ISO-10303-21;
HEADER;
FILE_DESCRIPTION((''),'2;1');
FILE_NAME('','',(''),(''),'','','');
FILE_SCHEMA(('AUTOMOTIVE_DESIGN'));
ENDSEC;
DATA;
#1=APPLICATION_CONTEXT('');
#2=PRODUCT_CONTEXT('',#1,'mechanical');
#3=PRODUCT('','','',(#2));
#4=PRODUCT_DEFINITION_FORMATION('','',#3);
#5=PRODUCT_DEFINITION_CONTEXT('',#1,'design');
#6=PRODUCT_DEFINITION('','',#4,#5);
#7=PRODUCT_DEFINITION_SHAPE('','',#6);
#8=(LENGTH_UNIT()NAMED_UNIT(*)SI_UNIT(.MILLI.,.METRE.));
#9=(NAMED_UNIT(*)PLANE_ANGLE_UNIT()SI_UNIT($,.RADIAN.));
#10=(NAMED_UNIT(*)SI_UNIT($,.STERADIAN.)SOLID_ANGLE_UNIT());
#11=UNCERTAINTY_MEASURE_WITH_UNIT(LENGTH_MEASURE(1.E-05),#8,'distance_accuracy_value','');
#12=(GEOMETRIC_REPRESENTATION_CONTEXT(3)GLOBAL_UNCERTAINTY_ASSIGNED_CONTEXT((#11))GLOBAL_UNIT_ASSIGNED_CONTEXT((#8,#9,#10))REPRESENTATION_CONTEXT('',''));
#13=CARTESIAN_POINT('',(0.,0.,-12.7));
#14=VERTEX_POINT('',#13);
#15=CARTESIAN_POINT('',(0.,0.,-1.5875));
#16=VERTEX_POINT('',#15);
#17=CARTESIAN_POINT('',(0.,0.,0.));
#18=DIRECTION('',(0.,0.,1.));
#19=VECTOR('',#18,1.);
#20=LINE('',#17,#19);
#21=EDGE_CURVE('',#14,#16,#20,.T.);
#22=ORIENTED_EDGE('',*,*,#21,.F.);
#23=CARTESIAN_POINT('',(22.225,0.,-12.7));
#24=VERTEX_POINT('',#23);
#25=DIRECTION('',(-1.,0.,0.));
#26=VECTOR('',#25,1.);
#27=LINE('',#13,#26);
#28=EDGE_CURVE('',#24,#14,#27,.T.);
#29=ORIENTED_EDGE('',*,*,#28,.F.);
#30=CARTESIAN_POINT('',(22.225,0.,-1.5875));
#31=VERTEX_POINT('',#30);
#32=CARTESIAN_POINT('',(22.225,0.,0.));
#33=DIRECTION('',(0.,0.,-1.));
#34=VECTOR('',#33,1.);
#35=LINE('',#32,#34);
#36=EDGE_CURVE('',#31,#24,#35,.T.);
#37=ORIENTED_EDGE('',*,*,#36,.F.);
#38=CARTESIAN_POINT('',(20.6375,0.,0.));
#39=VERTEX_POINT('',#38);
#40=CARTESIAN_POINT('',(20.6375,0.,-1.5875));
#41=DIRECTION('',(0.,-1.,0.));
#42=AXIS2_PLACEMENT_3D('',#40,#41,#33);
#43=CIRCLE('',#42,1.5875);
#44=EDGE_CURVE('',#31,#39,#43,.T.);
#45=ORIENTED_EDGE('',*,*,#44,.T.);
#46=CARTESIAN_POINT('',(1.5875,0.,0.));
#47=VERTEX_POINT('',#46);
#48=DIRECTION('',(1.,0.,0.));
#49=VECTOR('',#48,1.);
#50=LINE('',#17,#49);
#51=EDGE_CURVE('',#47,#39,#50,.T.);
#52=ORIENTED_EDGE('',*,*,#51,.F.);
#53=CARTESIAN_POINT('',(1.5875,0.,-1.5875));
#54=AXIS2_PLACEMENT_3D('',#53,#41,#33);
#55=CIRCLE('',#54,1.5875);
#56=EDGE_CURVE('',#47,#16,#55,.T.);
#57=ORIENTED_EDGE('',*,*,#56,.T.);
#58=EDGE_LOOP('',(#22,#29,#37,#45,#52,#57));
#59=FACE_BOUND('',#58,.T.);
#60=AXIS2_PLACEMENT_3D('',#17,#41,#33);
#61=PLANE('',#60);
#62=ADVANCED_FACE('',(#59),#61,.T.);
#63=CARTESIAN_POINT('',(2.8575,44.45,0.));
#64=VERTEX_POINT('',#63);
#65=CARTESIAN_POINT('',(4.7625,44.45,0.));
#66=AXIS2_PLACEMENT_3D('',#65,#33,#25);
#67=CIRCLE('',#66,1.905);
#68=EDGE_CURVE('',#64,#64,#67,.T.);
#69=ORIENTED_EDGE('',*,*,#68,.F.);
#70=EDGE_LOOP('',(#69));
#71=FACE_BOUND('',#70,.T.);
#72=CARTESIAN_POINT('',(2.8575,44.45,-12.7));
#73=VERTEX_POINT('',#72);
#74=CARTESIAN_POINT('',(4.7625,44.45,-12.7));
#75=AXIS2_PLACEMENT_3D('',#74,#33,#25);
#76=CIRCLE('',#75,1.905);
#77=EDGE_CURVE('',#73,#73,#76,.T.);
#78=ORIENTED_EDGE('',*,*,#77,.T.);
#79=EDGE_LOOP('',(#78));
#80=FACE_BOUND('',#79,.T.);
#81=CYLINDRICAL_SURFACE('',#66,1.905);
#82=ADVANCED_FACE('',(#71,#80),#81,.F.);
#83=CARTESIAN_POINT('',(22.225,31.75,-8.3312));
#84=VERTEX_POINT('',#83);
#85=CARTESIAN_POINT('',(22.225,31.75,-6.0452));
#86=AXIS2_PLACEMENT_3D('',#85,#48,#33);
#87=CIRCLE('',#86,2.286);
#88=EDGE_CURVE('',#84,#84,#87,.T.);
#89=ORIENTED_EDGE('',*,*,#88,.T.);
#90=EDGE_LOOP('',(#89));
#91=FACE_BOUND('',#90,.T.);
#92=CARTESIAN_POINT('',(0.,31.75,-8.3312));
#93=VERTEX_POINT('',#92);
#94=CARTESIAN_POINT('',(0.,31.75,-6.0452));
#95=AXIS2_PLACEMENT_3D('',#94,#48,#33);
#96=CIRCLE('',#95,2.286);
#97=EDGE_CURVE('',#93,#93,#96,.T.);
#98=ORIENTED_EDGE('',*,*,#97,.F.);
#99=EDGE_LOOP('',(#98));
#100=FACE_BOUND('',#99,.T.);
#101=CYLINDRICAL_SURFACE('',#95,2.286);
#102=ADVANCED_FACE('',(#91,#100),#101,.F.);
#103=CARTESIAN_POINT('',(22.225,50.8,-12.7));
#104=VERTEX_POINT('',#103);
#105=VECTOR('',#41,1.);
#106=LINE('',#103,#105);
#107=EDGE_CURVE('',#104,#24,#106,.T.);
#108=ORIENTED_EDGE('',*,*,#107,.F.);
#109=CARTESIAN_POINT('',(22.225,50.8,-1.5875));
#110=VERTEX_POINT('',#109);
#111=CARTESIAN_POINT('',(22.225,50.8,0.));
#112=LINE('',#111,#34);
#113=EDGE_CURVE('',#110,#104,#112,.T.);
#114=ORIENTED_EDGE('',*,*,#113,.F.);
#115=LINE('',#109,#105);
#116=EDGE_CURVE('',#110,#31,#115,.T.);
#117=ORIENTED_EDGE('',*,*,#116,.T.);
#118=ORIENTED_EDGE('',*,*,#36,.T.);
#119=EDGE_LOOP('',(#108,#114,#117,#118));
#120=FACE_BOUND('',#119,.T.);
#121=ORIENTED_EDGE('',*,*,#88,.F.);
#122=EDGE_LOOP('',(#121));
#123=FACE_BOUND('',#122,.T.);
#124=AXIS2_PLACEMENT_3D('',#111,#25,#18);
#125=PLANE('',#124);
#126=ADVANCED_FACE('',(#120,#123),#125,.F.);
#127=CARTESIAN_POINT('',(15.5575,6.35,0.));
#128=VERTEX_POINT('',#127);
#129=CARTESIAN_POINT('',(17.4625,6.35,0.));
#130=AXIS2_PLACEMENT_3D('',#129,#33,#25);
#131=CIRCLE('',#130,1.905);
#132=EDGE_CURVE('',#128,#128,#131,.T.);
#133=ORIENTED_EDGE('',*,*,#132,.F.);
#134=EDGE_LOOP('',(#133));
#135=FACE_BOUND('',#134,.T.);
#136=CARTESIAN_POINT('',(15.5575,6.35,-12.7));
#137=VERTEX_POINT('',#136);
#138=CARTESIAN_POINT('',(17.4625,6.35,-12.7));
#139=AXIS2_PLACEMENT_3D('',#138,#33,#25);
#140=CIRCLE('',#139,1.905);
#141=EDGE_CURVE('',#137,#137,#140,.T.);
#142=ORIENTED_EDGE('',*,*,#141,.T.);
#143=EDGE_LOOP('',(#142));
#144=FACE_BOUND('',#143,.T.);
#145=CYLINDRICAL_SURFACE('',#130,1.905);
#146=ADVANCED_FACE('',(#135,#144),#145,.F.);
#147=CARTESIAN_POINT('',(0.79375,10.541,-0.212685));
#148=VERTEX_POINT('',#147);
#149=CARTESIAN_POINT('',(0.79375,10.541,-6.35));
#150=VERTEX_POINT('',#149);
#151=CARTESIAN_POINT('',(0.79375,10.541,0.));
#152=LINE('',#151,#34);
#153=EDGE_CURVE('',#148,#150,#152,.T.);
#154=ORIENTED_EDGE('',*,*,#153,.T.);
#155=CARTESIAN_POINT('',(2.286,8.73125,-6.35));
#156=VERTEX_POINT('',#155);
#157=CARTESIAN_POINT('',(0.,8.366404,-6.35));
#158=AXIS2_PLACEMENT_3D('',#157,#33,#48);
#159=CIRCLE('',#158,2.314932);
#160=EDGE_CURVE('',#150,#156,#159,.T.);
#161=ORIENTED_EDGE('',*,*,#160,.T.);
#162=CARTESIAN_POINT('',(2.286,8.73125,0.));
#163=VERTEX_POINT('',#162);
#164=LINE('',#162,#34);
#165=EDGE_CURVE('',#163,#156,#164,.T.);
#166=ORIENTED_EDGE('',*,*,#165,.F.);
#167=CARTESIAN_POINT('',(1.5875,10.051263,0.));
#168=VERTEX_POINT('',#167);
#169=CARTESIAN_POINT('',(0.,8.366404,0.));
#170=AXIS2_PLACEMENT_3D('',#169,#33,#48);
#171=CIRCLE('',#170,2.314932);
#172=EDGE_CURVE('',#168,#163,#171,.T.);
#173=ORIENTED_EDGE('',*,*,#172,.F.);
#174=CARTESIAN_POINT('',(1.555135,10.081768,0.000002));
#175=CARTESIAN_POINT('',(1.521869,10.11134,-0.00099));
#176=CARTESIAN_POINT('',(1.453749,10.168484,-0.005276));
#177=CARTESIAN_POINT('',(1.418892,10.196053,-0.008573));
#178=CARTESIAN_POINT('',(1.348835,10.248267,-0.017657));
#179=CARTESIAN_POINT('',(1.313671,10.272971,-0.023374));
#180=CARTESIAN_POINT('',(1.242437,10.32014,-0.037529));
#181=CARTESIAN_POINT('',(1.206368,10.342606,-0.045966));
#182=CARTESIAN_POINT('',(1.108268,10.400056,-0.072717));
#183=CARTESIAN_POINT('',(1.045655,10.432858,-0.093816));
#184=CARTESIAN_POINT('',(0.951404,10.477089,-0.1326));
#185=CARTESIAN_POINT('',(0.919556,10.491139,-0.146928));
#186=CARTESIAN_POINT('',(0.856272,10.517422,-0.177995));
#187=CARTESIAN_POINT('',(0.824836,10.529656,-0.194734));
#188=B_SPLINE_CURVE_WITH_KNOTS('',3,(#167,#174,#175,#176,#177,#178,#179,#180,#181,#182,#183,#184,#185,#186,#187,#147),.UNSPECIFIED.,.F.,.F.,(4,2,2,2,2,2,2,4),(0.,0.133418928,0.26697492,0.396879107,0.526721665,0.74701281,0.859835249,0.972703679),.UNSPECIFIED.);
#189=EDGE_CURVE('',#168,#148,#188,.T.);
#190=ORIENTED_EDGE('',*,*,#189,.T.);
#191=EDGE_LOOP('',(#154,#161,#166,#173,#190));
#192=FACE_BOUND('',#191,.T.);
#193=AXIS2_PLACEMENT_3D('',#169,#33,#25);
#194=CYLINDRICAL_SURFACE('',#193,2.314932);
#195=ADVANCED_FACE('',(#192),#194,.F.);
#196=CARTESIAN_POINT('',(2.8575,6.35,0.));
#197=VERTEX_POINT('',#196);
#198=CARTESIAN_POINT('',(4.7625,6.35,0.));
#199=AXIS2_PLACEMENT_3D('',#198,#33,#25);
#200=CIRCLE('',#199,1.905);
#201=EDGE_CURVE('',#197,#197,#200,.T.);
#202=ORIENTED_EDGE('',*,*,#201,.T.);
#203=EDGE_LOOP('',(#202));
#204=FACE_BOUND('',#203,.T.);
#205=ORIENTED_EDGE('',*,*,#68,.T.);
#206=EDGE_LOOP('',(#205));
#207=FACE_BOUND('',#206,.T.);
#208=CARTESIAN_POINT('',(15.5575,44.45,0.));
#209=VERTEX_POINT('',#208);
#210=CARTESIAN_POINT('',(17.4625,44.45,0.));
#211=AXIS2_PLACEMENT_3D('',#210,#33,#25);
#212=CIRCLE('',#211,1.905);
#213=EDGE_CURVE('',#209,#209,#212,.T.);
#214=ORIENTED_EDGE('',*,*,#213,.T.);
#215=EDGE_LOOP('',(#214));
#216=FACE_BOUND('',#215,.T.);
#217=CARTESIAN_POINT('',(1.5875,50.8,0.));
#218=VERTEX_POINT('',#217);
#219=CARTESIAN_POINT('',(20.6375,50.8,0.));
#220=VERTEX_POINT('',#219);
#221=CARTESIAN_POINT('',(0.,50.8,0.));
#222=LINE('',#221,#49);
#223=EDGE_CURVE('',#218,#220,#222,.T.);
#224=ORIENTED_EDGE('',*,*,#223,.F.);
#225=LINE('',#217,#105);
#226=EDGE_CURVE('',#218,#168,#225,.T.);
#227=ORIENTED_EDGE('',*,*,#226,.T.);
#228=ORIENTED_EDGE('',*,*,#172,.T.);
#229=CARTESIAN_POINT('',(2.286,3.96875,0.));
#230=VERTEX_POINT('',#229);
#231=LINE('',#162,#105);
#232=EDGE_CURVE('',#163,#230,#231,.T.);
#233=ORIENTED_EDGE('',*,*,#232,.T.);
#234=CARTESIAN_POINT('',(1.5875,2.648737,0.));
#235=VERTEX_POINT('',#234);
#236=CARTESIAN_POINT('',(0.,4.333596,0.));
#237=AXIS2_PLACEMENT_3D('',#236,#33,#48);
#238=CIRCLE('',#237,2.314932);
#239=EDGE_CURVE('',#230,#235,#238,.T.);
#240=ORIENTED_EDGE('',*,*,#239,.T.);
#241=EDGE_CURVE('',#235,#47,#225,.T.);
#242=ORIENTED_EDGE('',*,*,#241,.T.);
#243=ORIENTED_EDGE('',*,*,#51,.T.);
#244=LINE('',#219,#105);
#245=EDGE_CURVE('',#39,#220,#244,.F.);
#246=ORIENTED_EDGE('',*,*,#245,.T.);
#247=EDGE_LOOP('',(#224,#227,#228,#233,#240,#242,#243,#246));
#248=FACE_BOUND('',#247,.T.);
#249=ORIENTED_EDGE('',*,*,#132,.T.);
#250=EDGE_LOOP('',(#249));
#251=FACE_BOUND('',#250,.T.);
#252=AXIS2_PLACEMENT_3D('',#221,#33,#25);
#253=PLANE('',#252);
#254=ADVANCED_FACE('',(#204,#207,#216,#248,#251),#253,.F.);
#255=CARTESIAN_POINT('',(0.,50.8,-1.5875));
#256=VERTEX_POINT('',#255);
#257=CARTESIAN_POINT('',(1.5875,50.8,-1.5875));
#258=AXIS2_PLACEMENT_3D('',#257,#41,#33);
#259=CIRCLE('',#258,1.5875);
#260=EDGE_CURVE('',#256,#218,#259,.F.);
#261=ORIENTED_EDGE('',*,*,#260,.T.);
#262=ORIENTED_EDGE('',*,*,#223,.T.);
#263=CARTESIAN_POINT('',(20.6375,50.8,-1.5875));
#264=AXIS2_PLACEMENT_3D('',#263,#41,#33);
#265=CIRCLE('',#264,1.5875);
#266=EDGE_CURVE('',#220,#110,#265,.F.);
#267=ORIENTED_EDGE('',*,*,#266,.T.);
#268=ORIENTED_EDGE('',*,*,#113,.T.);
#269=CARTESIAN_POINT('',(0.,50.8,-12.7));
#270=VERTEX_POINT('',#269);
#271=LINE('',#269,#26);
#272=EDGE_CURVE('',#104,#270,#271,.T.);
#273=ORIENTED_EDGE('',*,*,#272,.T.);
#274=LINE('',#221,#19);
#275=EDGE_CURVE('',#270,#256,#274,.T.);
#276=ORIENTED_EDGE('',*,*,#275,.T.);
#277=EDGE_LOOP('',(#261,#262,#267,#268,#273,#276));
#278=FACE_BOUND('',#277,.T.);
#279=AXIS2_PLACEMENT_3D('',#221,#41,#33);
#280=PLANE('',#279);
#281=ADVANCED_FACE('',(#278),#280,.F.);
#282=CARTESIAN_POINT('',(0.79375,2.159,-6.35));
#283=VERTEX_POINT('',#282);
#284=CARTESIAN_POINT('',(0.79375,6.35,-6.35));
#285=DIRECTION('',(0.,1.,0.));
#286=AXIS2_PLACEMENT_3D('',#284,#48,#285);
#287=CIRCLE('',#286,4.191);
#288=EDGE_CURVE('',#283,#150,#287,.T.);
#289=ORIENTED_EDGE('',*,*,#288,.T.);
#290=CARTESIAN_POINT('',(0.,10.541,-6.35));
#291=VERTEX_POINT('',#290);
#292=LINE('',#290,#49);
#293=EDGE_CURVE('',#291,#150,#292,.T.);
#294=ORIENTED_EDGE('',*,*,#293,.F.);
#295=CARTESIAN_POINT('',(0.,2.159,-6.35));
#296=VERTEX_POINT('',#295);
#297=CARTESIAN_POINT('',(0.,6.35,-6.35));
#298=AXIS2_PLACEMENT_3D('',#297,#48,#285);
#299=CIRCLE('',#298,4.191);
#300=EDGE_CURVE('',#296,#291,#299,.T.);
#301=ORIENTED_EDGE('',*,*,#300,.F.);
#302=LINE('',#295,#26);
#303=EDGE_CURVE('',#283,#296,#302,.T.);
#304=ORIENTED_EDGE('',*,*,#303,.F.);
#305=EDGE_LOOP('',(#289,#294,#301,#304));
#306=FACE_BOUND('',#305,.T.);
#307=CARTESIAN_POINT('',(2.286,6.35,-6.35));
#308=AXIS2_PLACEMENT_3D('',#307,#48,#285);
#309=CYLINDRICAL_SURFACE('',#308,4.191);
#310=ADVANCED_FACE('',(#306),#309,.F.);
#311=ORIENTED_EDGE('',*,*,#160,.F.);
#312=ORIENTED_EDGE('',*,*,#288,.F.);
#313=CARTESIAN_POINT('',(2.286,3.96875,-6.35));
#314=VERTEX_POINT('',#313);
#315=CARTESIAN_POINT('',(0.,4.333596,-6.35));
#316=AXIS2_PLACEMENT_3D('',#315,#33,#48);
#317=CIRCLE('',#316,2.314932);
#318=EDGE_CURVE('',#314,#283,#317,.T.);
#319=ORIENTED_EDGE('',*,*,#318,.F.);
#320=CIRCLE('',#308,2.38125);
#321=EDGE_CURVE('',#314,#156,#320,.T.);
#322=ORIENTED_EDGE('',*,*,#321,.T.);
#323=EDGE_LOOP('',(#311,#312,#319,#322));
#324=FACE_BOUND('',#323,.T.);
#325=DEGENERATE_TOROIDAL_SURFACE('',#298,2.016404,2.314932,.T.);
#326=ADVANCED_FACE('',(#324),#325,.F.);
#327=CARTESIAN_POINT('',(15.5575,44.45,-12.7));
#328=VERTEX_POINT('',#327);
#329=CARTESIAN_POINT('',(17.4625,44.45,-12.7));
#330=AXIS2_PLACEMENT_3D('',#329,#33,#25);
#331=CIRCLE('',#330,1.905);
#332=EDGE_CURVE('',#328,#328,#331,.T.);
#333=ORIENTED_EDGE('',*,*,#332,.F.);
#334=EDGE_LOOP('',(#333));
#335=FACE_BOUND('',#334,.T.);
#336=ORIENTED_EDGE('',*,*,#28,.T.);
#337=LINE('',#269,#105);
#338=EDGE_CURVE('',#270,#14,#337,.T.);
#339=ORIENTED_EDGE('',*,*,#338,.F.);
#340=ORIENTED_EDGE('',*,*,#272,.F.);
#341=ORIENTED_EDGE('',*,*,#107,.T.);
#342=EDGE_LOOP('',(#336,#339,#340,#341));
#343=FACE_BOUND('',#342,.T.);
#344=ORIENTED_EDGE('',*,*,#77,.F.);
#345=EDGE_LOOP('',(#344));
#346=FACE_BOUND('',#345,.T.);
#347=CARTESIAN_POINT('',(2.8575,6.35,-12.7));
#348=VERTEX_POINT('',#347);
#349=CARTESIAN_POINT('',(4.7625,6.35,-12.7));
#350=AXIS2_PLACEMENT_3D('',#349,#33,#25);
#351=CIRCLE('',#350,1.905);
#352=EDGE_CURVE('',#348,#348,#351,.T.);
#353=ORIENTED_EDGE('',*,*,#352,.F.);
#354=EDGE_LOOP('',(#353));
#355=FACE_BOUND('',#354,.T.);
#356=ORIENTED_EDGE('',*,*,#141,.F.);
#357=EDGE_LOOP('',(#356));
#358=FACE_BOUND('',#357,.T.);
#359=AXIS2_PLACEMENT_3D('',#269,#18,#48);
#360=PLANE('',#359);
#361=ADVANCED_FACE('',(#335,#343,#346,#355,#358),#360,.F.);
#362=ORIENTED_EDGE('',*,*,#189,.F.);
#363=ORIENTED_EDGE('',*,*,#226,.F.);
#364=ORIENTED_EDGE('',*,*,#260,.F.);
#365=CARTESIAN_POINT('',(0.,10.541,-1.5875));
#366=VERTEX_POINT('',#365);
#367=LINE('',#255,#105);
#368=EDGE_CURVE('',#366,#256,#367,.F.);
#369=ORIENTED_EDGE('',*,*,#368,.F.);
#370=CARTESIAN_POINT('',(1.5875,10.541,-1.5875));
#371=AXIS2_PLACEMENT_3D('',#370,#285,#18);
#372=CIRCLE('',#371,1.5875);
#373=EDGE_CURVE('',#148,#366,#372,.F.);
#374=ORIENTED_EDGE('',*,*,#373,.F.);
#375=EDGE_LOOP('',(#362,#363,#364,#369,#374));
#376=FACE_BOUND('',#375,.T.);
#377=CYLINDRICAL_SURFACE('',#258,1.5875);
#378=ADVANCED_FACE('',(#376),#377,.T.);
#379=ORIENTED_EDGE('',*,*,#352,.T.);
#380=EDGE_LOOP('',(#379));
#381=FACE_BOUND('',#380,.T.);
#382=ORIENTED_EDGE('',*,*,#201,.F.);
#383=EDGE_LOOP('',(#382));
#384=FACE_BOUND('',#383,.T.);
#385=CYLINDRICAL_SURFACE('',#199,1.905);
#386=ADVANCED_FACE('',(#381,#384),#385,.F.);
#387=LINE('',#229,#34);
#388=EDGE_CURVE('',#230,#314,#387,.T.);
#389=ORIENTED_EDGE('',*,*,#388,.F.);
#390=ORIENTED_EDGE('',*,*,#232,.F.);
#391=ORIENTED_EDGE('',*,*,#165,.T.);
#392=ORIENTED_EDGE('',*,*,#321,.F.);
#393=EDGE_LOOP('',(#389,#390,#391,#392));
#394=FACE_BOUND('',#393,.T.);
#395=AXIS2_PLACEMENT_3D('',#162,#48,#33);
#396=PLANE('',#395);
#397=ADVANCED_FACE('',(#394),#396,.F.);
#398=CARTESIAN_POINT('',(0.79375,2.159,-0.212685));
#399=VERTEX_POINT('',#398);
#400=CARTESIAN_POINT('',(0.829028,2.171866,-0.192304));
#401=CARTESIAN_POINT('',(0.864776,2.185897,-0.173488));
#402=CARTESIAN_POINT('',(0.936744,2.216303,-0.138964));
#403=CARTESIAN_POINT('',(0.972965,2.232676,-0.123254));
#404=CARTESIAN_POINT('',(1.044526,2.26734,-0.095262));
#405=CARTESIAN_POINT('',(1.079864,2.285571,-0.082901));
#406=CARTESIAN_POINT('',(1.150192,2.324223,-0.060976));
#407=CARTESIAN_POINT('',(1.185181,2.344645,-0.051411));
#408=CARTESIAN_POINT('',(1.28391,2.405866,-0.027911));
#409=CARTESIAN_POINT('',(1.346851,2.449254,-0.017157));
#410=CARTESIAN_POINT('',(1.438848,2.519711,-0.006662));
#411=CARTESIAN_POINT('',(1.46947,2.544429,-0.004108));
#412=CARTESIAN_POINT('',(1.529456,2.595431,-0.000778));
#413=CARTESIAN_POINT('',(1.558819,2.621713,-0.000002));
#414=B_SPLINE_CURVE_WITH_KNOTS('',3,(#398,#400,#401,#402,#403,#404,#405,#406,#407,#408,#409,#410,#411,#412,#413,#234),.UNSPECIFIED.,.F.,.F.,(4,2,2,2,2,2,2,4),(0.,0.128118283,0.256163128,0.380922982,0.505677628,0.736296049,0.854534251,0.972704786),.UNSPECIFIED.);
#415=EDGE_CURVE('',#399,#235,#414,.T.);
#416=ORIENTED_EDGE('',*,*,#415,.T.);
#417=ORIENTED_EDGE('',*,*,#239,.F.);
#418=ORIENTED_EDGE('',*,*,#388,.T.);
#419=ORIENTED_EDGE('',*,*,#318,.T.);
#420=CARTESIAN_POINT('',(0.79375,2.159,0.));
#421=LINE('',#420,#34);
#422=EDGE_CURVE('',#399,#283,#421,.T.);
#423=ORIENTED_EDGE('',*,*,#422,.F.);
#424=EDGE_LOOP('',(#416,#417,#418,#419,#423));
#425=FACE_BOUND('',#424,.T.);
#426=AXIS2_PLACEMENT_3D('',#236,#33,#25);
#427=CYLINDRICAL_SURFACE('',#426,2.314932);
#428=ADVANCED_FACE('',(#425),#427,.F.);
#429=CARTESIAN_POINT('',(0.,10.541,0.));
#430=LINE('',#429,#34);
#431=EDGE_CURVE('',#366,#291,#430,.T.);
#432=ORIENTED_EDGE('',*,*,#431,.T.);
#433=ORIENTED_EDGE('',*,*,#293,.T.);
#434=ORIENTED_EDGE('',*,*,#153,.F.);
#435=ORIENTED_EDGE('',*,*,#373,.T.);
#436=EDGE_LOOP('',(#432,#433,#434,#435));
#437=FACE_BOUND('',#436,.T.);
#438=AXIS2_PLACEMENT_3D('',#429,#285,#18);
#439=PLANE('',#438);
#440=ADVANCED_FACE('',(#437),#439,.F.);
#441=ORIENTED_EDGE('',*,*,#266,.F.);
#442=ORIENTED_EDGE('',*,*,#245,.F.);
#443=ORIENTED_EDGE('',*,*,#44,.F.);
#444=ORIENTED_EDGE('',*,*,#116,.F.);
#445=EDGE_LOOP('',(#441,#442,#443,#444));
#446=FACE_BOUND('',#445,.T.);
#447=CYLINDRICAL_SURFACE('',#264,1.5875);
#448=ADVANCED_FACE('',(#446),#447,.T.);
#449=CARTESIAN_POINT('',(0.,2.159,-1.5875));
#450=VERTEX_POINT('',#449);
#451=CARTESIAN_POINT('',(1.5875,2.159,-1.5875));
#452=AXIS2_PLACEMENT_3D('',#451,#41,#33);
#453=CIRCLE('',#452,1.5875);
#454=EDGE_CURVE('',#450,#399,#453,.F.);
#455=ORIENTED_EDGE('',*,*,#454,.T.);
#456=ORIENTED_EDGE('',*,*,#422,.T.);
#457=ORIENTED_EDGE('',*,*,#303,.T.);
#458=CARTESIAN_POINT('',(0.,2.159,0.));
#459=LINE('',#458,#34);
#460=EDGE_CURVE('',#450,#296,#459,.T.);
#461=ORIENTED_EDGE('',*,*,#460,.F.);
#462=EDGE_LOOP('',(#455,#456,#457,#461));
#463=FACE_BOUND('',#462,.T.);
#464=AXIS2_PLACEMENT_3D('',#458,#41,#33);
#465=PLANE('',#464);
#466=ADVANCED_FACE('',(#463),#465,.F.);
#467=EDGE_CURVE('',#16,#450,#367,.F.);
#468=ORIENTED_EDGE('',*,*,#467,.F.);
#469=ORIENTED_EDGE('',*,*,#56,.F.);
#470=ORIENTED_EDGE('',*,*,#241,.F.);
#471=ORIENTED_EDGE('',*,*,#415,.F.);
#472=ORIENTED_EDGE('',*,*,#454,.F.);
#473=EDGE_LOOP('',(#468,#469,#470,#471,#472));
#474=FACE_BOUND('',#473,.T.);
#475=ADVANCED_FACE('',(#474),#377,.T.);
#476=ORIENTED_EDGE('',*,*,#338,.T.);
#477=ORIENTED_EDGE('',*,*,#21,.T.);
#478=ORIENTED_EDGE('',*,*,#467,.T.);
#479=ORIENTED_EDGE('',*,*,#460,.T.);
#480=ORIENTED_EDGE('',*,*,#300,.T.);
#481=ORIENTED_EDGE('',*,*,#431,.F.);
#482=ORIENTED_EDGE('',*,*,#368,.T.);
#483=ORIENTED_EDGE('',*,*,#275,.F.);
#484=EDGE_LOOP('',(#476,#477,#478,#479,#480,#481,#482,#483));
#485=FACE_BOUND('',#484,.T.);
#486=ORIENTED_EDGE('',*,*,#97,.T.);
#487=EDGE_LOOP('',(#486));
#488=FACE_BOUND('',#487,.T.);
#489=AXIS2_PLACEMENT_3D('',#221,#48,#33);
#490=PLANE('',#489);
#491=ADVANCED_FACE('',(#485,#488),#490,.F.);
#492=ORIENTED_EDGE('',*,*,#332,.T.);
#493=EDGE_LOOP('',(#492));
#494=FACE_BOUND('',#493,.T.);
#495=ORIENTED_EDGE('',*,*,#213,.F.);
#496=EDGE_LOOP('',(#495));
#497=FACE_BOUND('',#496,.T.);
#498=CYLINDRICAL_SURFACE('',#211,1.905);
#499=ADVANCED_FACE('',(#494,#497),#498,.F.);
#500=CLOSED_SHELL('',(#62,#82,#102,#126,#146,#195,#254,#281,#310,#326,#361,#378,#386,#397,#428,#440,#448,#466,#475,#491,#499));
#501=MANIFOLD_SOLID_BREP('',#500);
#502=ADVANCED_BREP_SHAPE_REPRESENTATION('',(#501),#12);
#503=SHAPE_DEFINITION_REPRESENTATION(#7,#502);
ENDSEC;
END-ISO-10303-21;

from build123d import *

# Parameters (mm, degrees)
SKETCH1_W           = 22.225
SKETCH1_H           = 12.7
BOSS_EXTRUDE1_DEPTH = 50.8
SKETCH2_R           = 1.905
CUT_EXTRUDE1_DEPTH  = 57.884801353
CUT_EXTRUDE2_DEPTH  = 56.811406764
FILLET1_R           = 1.5875
SKETCH6_R           = 2.286
CUT_EXTRUDE3_DEPTH  = 57.884801482


with BuildPart() as part:
    # Sketch1 → Boss-Extrude1 (new body)
    with BuildSketch(Plane(origin=(0, 0, 0), x_dir=(1, 0, 0), z_dir=(0, 1, 0))):
        with Locations((11.1125, 6.35)):
            Rectangle(SKETCH1_W, SKETCH1_H)
    extrude(amount=BOSS_EXTRUDE1_DEPTH)

    # Sketch2 → Cut-Extrude1 (cut, through all)
    with BuildSketch(Plane(origin=(0, 0, -12.7), x_dir=(-1, 0, 0), z_dir=(0, 0, -1))):
        with Locations((-17.4625, 44.45)):
            Circle(SKETCH2_R)
        with Locations((-17.4625, 6.35)):
            Circle(SKETCH2_R)
        with Locations((-4.7625, 44.45)):
            Circle(SKETCH2_R)
        with Locations((-4.7625, 6.35)):
            Circle(SKETCH2_R)
    extrude(amount=-CUT_EXTRUDE1_DEPTH, mode=Mode.SUBTRACT)

    # Sketch3 → Cut-Extrude2 (cut, through all)
    with BuildSketch(Plane(origin=(0, 0, -6.35), x_dir=(-1, 0, 0), z_dir=(0, 0, -1))):
        with BuildLine():
            Line((0, 10.541), (0, 2.159))
            Line((0, 2.159), (-0.79375, 2.159))
            ThreePointArc((-0.79375, 2.159), (-1.786060968, 2.860879553), (-2.286, 3.96875))
            Line((-2.286, 3.96875), (-2.286, 8.73125))
            ThreePointArc((-2.286, 8.73125), (-1.786060968, 9.839120447), (-0.79375, 10.541))
            Line((-0.79375, 10.541), (0, 10.541))
        make_face()
    extrude(amount=-CUT_EXTRUDE2_DEPTH, mode=Mode.SUBTRACT)

    # Sketch5 → Cut-Revolve2 (revolve, cut)
    with BuildSketch(Plane(origin=(0, 0, -6.35), x_dir=(-1, 0, 0), z_dir=(0, 0, -1))):
        with BuildLine():
            Line((0, 6.35), (-2.286, 6.35))
            Line((-2.286, 6.35), (-2.286, 8.73125))
            ThreePointArc((-2.286, 8.73125), (-1.786060968, 9.839120447), (-0.79375, 10.541))
            Line((-0.79375, 10.541), (0, 10.541))
            Line((0, 10.541), (0, 6.35))
        make_face()
    revolve(axis=Axis((2.286, 6.35, -6.35), (-1, 0, 0)), mode=Mode.SUBTRACT)

    # Fillet1
    fillet1_edges = [part.edges().sort_by_distance(p)[0] for p in [
        (0, 30.6705, 0),
        (0, 1.0795, 0),
        (22.225, 25.4, 0),
    ]]
    fillet(fillet1_edges, radius=FILLET1_R)

    # Sketch6 → Cut-Extrude3 (cut, through all)
    with BuildSketch(Plane(origin=(22.225, 0, 0), x_dir=(0, 0, -1), z_dir=(1, 0, 0))):
        with Locations((6.045199993, 31.75)):
            Circle(SKETCH6_R)
    extrude(amount=-CUT_EXTRUDE3_DEPTH, mode=Mode.SUBTRACT)


solid = part.part
